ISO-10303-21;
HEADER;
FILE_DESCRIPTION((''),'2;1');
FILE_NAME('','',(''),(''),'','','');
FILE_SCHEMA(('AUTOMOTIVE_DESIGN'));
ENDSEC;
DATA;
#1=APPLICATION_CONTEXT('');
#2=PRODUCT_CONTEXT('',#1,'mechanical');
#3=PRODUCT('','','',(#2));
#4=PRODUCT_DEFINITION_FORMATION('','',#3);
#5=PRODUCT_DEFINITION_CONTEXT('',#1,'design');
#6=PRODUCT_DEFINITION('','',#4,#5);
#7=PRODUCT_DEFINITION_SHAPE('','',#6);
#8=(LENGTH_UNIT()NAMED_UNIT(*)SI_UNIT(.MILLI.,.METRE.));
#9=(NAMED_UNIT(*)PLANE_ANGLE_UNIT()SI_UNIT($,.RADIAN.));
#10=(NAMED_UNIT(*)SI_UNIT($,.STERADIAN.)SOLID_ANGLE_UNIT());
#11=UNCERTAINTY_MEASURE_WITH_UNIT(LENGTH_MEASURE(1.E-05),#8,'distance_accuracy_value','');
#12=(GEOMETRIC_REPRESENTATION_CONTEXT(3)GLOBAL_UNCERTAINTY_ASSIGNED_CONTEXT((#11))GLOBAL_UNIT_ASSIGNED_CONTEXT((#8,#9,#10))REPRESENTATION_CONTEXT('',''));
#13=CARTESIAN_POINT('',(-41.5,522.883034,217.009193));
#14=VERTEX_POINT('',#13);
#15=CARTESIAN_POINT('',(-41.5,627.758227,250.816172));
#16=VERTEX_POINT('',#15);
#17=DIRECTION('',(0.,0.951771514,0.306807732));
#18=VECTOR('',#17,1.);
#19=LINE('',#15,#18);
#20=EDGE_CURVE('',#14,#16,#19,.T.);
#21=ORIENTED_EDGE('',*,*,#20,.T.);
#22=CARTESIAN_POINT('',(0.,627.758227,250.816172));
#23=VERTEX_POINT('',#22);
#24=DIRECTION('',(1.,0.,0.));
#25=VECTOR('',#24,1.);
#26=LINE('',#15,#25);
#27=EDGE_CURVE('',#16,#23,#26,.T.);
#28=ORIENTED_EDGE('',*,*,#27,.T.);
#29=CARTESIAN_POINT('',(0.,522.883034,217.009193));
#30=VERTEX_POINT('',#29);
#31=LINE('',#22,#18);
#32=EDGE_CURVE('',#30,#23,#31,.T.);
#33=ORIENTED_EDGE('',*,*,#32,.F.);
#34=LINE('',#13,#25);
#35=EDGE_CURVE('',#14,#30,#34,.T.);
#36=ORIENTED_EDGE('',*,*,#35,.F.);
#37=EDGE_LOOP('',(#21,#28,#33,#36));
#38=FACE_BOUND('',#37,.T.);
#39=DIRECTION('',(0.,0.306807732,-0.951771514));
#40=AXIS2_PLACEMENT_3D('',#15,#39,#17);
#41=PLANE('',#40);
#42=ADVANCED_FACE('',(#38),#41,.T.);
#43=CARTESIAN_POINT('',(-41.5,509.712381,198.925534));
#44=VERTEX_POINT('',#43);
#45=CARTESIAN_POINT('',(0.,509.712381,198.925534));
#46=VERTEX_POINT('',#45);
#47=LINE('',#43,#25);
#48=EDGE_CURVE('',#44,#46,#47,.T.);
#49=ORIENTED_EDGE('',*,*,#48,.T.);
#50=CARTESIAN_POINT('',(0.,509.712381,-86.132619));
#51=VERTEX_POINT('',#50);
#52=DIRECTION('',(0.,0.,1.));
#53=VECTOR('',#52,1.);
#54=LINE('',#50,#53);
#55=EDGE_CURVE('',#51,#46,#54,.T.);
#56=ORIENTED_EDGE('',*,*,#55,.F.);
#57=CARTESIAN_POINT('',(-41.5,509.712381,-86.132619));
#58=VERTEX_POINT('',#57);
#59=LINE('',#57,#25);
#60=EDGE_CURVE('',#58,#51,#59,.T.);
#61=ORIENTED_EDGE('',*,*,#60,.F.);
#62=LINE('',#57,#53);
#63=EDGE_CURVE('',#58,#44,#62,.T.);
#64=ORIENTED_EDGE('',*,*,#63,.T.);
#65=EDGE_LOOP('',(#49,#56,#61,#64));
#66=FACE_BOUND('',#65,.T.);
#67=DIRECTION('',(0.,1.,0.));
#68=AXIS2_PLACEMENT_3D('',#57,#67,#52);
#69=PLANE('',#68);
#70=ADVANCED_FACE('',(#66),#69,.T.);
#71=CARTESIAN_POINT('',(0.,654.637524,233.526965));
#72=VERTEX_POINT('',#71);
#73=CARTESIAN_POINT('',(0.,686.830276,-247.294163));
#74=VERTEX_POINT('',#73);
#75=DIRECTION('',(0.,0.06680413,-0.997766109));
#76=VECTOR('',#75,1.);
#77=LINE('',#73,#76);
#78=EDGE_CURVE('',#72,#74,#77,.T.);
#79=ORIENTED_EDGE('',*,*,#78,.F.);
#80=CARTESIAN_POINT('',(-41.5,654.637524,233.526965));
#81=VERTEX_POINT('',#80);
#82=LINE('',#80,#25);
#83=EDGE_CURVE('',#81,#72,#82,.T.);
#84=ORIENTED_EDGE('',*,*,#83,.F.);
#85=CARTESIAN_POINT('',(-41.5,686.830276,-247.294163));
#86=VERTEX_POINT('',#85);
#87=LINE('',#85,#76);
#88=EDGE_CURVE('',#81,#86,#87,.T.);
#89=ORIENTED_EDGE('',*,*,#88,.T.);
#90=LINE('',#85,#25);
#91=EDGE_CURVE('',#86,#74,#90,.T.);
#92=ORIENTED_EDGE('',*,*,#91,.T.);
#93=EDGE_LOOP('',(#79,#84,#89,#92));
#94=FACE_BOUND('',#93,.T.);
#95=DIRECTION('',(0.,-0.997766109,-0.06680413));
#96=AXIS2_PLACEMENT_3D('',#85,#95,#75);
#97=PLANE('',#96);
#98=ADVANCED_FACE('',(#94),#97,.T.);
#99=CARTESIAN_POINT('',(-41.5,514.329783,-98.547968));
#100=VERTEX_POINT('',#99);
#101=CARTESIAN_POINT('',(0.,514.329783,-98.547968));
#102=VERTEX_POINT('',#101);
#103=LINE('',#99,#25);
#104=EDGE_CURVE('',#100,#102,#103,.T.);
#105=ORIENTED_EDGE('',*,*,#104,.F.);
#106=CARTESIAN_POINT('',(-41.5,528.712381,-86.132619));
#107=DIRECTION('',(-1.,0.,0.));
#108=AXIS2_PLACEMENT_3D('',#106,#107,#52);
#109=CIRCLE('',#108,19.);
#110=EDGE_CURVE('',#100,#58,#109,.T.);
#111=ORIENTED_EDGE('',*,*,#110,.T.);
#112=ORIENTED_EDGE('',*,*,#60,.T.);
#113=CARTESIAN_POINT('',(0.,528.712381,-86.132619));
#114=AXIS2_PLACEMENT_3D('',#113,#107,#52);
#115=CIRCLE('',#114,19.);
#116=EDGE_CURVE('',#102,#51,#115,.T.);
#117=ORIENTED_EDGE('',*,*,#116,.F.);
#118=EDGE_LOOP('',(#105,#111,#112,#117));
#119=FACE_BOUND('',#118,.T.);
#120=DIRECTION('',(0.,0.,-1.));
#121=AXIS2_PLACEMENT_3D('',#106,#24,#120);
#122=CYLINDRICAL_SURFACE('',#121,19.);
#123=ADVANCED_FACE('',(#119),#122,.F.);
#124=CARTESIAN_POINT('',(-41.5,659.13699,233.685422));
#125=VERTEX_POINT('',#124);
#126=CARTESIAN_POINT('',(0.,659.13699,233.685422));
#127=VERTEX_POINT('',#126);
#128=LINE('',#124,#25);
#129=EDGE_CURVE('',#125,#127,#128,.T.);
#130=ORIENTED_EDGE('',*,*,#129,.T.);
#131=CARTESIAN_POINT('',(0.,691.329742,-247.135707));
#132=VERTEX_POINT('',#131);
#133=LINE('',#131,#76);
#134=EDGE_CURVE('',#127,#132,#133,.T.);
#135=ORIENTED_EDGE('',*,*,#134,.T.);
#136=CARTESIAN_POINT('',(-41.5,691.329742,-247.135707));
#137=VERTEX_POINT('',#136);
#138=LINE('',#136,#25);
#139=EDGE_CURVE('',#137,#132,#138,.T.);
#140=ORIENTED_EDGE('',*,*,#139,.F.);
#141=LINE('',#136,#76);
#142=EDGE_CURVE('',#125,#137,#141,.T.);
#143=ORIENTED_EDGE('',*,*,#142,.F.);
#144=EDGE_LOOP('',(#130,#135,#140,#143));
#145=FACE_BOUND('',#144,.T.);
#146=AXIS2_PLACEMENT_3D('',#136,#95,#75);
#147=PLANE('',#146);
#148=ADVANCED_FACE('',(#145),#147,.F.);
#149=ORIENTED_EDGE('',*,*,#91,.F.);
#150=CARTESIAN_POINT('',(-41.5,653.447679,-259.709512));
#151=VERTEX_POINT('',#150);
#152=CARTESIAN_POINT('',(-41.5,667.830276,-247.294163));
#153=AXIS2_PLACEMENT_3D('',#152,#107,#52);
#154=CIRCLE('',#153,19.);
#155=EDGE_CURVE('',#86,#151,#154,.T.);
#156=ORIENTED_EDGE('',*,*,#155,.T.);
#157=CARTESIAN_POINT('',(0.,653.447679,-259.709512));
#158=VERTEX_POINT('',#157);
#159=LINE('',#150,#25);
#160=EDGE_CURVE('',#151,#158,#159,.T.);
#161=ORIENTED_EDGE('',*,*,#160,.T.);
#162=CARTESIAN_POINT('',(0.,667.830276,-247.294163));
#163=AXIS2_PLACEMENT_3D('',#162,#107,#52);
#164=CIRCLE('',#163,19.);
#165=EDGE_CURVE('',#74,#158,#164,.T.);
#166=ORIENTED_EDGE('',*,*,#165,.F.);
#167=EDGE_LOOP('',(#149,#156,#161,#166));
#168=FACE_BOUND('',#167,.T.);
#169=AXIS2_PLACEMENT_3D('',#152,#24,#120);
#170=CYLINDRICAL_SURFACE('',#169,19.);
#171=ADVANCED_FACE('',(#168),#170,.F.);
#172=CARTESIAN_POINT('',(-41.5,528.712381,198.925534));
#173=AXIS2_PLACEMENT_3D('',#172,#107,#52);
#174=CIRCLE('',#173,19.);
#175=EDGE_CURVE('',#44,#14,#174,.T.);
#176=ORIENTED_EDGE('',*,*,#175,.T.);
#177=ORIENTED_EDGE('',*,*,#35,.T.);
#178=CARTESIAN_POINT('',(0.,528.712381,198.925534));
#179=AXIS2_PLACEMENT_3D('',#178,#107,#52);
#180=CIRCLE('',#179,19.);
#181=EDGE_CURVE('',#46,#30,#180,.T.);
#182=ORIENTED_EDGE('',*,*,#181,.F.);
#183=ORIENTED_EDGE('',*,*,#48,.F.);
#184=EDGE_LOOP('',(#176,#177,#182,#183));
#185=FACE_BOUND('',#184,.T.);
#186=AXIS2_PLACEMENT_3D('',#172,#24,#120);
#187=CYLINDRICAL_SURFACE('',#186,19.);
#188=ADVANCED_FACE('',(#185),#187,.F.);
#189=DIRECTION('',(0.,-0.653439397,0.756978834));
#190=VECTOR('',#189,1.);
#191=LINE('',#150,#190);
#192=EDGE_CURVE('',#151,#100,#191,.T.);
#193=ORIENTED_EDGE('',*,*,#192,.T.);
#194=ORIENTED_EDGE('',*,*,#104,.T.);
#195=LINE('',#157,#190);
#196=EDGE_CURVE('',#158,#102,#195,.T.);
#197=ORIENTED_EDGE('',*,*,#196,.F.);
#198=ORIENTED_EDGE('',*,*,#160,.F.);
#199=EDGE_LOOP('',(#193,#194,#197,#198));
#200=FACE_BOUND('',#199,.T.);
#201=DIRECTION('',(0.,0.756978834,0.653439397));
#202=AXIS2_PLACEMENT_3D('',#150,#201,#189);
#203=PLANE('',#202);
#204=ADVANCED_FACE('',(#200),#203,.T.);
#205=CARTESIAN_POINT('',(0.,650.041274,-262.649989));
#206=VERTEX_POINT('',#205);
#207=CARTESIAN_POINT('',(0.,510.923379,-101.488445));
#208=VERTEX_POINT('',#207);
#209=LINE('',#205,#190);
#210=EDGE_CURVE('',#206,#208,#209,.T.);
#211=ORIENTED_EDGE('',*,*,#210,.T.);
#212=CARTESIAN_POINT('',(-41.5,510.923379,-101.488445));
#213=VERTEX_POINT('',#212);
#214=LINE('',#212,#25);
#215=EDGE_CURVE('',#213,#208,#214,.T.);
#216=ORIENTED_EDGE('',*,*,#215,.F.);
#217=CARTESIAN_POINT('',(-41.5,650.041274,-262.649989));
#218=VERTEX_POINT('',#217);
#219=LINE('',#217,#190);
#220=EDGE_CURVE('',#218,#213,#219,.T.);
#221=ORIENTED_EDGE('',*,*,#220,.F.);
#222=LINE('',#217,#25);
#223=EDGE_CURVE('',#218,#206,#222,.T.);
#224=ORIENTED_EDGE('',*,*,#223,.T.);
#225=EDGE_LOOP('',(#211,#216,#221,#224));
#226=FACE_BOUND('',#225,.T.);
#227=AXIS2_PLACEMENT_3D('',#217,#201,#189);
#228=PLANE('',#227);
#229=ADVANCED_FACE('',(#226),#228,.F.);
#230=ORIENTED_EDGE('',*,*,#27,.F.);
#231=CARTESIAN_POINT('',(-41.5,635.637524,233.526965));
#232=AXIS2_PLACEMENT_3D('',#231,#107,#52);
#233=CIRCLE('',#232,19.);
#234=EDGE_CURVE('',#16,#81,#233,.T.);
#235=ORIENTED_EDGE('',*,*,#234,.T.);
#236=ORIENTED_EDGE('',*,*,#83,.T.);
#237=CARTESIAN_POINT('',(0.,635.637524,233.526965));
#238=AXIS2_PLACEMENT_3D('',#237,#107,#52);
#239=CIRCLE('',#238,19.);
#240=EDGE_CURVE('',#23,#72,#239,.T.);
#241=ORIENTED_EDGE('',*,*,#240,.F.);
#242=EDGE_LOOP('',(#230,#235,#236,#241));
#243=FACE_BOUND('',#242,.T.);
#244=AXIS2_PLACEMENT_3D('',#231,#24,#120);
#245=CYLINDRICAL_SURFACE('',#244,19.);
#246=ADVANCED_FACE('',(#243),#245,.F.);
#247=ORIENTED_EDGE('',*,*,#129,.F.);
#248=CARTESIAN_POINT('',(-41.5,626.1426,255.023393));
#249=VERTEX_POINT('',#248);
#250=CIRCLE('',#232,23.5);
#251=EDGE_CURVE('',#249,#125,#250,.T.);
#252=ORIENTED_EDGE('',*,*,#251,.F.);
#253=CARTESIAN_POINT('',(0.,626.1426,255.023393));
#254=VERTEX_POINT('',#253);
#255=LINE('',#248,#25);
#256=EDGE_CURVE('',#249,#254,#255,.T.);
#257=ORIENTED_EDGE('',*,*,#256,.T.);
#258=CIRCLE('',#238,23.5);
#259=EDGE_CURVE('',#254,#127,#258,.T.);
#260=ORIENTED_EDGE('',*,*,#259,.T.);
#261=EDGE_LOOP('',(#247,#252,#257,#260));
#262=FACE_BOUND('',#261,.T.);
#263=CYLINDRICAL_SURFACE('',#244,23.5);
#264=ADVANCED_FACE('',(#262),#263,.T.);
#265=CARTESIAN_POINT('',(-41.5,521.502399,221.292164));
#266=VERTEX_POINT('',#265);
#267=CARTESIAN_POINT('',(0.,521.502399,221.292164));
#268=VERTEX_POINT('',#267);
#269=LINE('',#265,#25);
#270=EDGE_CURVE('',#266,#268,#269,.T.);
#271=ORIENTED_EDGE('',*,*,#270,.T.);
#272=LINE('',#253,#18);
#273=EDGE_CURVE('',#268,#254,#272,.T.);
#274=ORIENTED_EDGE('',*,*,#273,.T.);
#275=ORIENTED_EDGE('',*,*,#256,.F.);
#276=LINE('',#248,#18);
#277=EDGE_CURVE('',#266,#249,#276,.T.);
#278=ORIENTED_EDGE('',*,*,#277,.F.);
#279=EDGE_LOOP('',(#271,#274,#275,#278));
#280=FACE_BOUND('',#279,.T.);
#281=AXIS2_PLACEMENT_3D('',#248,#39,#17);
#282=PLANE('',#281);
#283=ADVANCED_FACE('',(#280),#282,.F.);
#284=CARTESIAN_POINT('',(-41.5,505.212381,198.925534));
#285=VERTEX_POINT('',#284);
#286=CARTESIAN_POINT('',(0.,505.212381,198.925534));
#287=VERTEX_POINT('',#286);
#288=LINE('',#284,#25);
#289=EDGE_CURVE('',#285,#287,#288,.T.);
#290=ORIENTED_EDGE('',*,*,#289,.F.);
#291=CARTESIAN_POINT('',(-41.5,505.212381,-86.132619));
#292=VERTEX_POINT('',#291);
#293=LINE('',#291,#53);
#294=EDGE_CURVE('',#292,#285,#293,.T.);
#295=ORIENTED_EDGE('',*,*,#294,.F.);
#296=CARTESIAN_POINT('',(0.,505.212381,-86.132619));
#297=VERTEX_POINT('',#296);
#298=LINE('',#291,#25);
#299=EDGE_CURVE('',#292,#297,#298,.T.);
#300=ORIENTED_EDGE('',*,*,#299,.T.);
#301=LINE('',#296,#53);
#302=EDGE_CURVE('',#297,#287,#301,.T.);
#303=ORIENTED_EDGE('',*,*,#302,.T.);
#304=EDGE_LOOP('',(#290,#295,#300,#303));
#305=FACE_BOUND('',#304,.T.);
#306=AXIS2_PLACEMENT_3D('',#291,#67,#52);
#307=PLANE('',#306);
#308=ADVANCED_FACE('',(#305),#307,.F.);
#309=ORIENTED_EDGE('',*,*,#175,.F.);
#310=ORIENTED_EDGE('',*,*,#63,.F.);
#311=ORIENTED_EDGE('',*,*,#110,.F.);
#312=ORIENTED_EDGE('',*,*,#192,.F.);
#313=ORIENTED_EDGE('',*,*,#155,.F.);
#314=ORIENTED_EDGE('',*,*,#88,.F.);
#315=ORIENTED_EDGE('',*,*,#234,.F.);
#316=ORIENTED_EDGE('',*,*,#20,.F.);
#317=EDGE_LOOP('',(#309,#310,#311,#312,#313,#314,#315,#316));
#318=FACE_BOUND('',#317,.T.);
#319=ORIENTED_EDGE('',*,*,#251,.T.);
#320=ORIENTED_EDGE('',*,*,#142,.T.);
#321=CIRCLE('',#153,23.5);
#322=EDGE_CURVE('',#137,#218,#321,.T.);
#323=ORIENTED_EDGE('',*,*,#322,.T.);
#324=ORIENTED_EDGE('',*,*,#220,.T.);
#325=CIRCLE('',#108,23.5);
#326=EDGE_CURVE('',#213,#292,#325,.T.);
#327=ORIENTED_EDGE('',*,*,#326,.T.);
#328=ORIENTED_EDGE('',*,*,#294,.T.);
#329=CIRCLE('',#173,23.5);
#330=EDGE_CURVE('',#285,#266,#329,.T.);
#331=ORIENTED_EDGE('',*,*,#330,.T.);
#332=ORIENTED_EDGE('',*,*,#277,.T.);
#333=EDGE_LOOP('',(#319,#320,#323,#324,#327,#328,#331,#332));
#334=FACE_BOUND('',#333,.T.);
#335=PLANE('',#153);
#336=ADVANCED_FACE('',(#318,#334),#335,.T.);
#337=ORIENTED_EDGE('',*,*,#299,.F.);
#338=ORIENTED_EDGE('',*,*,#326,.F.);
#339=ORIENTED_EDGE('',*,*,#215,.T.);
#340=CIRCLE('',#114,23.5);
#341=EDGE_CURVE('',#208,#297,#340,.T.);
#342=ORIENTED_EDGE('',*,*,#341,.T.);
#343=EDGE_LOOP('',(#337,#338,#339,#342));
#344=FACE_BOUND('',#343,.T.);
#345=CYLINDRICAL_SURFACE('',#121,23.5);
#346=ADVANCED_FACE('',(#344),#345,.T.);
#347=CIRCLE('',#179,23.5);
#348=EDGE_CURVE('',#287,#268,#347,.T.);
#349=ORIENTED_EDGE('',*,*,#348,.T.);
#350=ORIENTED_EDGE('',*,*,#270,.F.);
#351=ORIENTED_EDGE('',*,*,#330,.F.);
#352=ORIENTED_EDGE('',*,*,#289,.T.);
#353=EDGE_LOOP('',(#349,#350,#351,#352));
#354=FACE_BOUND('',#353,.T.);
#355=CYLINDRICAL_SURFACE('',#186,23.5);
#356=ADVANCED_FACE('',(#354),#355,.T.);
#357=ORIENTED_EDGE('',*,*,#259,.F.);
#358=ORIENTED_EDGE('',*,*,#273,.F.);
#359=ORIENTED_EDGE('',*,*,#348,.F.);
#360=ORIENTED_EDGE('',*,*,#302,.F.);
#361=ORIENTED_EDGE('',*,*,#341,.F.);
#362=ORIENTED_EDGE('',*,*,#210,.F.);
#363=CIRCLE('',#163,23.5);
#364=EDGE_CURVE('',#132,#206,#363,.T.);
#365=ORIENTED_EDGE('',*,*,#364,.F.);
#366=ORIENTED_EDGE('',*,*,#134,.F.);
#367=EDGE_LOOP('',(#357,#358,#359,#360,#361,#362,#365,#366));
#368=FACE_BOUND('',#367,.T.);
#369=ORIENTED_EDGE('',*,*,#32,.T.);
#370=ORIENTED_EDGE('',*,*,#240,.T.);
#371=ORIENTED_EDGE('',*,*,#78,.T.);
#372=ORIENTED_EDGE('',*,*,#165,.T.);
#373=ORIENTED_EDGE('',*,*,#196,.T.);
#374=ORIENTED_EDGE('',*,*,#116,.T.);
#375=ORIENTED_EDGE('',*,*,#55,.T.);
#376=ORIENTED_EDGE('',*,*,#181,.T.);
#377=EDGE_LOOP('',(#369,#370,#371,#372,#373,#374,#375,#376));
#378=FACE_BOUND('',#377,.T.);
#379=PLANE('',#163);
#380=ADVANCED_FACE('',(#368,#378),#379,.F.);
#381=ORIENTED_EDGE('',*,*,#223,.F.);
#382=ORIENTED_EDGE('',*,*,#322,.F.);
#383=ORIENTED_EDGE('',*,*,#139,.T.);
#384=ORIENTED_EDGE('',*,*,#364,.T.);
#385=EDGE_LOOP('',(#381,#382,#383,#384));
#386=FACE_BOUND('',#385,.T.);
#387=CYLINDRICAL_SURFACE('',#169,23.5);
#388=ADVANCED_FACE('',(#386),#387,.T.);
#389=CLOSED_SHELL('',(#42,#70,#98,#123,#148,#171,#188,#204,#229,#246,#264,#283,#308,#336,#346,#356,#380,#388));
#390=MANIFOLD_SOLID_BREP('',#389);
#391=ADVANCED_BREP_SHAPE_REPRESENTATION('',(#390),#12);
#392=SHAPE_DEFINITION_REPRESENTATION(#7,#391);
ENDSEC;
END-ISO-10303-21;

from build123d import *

# Parameters (mm, degrees)
EXTRUDE_1_DEPTH = 41.5


with BuildPart() as part:
    # 草图1 → 凸台-拉伸1 (new body)
    with BuildSketch(Plane.ZY):
        with BuildLine():
            Line((-247.135706549, 691.329742198), (233.685421601, 659.136990159))
            ThreePointArc((233.685421601, 659.136990159), (253.25995653, 648.399148569), (255.023393056, 626.142600064))
            Line((255.023393056, 626.142600064), (221.292164335, 521.502399447))
            ThreePointArc((221.292164335, 521.502399447), (212.760551455, 509.716531999), (198.925533748, 505.212381151))
            Line((198.925533748, 505.212381151), (-86.132619056, 505.212381151))
            ThreePointArc((-86.132619056, 505.212381151), (-94.324335579, 506.686356081), (-101.488444886, 510.923378563))
            Line((-101.488444886, 510.923378563), (-262.649988816, 650.041273838))
            ThreePointArc((-262.649988816, 650.041273838), (-269.292445055, 676.096205655), (-247.135706549, 691.329742198))
        make_face()
        with BuildLine():
            Line((-259.709511529, 653.447678589), (-98.547967599, 514.329783314))
            ThreePointArc((-98.547967599, 514.329783314), (-92.75570901, 510.904105562), (-86.132619056, 509.712381151))
            Line((-86.132619056, 509.712381151), (198.925533748, 509.712381151))
            ThreePointArc((198.925533748, 509.712381151), (210.111292745, 513.354035028), (217.00919252, 522.883034241))
            Line((217.00919252, 522.883034241), (250.816171993, 627.758227005))
            ThreePointArc((250.816171993, 627.758227005), (249.506743796, 645.91598122), (233.526965164, 654.637524387))
            Line((233.526965164, 654.637524387), (-247.294162986, 686.830276426))
            ThreePointArc((-247.294162986, 686.830276426), (-265.102438575, 674.453366381), (-259.709511529, 653.447678589))
        make_face(mode=Mode.SUBTRACT)
    extrude(amount=EXTRUDE_1_DEPTH)


solid = part.part
